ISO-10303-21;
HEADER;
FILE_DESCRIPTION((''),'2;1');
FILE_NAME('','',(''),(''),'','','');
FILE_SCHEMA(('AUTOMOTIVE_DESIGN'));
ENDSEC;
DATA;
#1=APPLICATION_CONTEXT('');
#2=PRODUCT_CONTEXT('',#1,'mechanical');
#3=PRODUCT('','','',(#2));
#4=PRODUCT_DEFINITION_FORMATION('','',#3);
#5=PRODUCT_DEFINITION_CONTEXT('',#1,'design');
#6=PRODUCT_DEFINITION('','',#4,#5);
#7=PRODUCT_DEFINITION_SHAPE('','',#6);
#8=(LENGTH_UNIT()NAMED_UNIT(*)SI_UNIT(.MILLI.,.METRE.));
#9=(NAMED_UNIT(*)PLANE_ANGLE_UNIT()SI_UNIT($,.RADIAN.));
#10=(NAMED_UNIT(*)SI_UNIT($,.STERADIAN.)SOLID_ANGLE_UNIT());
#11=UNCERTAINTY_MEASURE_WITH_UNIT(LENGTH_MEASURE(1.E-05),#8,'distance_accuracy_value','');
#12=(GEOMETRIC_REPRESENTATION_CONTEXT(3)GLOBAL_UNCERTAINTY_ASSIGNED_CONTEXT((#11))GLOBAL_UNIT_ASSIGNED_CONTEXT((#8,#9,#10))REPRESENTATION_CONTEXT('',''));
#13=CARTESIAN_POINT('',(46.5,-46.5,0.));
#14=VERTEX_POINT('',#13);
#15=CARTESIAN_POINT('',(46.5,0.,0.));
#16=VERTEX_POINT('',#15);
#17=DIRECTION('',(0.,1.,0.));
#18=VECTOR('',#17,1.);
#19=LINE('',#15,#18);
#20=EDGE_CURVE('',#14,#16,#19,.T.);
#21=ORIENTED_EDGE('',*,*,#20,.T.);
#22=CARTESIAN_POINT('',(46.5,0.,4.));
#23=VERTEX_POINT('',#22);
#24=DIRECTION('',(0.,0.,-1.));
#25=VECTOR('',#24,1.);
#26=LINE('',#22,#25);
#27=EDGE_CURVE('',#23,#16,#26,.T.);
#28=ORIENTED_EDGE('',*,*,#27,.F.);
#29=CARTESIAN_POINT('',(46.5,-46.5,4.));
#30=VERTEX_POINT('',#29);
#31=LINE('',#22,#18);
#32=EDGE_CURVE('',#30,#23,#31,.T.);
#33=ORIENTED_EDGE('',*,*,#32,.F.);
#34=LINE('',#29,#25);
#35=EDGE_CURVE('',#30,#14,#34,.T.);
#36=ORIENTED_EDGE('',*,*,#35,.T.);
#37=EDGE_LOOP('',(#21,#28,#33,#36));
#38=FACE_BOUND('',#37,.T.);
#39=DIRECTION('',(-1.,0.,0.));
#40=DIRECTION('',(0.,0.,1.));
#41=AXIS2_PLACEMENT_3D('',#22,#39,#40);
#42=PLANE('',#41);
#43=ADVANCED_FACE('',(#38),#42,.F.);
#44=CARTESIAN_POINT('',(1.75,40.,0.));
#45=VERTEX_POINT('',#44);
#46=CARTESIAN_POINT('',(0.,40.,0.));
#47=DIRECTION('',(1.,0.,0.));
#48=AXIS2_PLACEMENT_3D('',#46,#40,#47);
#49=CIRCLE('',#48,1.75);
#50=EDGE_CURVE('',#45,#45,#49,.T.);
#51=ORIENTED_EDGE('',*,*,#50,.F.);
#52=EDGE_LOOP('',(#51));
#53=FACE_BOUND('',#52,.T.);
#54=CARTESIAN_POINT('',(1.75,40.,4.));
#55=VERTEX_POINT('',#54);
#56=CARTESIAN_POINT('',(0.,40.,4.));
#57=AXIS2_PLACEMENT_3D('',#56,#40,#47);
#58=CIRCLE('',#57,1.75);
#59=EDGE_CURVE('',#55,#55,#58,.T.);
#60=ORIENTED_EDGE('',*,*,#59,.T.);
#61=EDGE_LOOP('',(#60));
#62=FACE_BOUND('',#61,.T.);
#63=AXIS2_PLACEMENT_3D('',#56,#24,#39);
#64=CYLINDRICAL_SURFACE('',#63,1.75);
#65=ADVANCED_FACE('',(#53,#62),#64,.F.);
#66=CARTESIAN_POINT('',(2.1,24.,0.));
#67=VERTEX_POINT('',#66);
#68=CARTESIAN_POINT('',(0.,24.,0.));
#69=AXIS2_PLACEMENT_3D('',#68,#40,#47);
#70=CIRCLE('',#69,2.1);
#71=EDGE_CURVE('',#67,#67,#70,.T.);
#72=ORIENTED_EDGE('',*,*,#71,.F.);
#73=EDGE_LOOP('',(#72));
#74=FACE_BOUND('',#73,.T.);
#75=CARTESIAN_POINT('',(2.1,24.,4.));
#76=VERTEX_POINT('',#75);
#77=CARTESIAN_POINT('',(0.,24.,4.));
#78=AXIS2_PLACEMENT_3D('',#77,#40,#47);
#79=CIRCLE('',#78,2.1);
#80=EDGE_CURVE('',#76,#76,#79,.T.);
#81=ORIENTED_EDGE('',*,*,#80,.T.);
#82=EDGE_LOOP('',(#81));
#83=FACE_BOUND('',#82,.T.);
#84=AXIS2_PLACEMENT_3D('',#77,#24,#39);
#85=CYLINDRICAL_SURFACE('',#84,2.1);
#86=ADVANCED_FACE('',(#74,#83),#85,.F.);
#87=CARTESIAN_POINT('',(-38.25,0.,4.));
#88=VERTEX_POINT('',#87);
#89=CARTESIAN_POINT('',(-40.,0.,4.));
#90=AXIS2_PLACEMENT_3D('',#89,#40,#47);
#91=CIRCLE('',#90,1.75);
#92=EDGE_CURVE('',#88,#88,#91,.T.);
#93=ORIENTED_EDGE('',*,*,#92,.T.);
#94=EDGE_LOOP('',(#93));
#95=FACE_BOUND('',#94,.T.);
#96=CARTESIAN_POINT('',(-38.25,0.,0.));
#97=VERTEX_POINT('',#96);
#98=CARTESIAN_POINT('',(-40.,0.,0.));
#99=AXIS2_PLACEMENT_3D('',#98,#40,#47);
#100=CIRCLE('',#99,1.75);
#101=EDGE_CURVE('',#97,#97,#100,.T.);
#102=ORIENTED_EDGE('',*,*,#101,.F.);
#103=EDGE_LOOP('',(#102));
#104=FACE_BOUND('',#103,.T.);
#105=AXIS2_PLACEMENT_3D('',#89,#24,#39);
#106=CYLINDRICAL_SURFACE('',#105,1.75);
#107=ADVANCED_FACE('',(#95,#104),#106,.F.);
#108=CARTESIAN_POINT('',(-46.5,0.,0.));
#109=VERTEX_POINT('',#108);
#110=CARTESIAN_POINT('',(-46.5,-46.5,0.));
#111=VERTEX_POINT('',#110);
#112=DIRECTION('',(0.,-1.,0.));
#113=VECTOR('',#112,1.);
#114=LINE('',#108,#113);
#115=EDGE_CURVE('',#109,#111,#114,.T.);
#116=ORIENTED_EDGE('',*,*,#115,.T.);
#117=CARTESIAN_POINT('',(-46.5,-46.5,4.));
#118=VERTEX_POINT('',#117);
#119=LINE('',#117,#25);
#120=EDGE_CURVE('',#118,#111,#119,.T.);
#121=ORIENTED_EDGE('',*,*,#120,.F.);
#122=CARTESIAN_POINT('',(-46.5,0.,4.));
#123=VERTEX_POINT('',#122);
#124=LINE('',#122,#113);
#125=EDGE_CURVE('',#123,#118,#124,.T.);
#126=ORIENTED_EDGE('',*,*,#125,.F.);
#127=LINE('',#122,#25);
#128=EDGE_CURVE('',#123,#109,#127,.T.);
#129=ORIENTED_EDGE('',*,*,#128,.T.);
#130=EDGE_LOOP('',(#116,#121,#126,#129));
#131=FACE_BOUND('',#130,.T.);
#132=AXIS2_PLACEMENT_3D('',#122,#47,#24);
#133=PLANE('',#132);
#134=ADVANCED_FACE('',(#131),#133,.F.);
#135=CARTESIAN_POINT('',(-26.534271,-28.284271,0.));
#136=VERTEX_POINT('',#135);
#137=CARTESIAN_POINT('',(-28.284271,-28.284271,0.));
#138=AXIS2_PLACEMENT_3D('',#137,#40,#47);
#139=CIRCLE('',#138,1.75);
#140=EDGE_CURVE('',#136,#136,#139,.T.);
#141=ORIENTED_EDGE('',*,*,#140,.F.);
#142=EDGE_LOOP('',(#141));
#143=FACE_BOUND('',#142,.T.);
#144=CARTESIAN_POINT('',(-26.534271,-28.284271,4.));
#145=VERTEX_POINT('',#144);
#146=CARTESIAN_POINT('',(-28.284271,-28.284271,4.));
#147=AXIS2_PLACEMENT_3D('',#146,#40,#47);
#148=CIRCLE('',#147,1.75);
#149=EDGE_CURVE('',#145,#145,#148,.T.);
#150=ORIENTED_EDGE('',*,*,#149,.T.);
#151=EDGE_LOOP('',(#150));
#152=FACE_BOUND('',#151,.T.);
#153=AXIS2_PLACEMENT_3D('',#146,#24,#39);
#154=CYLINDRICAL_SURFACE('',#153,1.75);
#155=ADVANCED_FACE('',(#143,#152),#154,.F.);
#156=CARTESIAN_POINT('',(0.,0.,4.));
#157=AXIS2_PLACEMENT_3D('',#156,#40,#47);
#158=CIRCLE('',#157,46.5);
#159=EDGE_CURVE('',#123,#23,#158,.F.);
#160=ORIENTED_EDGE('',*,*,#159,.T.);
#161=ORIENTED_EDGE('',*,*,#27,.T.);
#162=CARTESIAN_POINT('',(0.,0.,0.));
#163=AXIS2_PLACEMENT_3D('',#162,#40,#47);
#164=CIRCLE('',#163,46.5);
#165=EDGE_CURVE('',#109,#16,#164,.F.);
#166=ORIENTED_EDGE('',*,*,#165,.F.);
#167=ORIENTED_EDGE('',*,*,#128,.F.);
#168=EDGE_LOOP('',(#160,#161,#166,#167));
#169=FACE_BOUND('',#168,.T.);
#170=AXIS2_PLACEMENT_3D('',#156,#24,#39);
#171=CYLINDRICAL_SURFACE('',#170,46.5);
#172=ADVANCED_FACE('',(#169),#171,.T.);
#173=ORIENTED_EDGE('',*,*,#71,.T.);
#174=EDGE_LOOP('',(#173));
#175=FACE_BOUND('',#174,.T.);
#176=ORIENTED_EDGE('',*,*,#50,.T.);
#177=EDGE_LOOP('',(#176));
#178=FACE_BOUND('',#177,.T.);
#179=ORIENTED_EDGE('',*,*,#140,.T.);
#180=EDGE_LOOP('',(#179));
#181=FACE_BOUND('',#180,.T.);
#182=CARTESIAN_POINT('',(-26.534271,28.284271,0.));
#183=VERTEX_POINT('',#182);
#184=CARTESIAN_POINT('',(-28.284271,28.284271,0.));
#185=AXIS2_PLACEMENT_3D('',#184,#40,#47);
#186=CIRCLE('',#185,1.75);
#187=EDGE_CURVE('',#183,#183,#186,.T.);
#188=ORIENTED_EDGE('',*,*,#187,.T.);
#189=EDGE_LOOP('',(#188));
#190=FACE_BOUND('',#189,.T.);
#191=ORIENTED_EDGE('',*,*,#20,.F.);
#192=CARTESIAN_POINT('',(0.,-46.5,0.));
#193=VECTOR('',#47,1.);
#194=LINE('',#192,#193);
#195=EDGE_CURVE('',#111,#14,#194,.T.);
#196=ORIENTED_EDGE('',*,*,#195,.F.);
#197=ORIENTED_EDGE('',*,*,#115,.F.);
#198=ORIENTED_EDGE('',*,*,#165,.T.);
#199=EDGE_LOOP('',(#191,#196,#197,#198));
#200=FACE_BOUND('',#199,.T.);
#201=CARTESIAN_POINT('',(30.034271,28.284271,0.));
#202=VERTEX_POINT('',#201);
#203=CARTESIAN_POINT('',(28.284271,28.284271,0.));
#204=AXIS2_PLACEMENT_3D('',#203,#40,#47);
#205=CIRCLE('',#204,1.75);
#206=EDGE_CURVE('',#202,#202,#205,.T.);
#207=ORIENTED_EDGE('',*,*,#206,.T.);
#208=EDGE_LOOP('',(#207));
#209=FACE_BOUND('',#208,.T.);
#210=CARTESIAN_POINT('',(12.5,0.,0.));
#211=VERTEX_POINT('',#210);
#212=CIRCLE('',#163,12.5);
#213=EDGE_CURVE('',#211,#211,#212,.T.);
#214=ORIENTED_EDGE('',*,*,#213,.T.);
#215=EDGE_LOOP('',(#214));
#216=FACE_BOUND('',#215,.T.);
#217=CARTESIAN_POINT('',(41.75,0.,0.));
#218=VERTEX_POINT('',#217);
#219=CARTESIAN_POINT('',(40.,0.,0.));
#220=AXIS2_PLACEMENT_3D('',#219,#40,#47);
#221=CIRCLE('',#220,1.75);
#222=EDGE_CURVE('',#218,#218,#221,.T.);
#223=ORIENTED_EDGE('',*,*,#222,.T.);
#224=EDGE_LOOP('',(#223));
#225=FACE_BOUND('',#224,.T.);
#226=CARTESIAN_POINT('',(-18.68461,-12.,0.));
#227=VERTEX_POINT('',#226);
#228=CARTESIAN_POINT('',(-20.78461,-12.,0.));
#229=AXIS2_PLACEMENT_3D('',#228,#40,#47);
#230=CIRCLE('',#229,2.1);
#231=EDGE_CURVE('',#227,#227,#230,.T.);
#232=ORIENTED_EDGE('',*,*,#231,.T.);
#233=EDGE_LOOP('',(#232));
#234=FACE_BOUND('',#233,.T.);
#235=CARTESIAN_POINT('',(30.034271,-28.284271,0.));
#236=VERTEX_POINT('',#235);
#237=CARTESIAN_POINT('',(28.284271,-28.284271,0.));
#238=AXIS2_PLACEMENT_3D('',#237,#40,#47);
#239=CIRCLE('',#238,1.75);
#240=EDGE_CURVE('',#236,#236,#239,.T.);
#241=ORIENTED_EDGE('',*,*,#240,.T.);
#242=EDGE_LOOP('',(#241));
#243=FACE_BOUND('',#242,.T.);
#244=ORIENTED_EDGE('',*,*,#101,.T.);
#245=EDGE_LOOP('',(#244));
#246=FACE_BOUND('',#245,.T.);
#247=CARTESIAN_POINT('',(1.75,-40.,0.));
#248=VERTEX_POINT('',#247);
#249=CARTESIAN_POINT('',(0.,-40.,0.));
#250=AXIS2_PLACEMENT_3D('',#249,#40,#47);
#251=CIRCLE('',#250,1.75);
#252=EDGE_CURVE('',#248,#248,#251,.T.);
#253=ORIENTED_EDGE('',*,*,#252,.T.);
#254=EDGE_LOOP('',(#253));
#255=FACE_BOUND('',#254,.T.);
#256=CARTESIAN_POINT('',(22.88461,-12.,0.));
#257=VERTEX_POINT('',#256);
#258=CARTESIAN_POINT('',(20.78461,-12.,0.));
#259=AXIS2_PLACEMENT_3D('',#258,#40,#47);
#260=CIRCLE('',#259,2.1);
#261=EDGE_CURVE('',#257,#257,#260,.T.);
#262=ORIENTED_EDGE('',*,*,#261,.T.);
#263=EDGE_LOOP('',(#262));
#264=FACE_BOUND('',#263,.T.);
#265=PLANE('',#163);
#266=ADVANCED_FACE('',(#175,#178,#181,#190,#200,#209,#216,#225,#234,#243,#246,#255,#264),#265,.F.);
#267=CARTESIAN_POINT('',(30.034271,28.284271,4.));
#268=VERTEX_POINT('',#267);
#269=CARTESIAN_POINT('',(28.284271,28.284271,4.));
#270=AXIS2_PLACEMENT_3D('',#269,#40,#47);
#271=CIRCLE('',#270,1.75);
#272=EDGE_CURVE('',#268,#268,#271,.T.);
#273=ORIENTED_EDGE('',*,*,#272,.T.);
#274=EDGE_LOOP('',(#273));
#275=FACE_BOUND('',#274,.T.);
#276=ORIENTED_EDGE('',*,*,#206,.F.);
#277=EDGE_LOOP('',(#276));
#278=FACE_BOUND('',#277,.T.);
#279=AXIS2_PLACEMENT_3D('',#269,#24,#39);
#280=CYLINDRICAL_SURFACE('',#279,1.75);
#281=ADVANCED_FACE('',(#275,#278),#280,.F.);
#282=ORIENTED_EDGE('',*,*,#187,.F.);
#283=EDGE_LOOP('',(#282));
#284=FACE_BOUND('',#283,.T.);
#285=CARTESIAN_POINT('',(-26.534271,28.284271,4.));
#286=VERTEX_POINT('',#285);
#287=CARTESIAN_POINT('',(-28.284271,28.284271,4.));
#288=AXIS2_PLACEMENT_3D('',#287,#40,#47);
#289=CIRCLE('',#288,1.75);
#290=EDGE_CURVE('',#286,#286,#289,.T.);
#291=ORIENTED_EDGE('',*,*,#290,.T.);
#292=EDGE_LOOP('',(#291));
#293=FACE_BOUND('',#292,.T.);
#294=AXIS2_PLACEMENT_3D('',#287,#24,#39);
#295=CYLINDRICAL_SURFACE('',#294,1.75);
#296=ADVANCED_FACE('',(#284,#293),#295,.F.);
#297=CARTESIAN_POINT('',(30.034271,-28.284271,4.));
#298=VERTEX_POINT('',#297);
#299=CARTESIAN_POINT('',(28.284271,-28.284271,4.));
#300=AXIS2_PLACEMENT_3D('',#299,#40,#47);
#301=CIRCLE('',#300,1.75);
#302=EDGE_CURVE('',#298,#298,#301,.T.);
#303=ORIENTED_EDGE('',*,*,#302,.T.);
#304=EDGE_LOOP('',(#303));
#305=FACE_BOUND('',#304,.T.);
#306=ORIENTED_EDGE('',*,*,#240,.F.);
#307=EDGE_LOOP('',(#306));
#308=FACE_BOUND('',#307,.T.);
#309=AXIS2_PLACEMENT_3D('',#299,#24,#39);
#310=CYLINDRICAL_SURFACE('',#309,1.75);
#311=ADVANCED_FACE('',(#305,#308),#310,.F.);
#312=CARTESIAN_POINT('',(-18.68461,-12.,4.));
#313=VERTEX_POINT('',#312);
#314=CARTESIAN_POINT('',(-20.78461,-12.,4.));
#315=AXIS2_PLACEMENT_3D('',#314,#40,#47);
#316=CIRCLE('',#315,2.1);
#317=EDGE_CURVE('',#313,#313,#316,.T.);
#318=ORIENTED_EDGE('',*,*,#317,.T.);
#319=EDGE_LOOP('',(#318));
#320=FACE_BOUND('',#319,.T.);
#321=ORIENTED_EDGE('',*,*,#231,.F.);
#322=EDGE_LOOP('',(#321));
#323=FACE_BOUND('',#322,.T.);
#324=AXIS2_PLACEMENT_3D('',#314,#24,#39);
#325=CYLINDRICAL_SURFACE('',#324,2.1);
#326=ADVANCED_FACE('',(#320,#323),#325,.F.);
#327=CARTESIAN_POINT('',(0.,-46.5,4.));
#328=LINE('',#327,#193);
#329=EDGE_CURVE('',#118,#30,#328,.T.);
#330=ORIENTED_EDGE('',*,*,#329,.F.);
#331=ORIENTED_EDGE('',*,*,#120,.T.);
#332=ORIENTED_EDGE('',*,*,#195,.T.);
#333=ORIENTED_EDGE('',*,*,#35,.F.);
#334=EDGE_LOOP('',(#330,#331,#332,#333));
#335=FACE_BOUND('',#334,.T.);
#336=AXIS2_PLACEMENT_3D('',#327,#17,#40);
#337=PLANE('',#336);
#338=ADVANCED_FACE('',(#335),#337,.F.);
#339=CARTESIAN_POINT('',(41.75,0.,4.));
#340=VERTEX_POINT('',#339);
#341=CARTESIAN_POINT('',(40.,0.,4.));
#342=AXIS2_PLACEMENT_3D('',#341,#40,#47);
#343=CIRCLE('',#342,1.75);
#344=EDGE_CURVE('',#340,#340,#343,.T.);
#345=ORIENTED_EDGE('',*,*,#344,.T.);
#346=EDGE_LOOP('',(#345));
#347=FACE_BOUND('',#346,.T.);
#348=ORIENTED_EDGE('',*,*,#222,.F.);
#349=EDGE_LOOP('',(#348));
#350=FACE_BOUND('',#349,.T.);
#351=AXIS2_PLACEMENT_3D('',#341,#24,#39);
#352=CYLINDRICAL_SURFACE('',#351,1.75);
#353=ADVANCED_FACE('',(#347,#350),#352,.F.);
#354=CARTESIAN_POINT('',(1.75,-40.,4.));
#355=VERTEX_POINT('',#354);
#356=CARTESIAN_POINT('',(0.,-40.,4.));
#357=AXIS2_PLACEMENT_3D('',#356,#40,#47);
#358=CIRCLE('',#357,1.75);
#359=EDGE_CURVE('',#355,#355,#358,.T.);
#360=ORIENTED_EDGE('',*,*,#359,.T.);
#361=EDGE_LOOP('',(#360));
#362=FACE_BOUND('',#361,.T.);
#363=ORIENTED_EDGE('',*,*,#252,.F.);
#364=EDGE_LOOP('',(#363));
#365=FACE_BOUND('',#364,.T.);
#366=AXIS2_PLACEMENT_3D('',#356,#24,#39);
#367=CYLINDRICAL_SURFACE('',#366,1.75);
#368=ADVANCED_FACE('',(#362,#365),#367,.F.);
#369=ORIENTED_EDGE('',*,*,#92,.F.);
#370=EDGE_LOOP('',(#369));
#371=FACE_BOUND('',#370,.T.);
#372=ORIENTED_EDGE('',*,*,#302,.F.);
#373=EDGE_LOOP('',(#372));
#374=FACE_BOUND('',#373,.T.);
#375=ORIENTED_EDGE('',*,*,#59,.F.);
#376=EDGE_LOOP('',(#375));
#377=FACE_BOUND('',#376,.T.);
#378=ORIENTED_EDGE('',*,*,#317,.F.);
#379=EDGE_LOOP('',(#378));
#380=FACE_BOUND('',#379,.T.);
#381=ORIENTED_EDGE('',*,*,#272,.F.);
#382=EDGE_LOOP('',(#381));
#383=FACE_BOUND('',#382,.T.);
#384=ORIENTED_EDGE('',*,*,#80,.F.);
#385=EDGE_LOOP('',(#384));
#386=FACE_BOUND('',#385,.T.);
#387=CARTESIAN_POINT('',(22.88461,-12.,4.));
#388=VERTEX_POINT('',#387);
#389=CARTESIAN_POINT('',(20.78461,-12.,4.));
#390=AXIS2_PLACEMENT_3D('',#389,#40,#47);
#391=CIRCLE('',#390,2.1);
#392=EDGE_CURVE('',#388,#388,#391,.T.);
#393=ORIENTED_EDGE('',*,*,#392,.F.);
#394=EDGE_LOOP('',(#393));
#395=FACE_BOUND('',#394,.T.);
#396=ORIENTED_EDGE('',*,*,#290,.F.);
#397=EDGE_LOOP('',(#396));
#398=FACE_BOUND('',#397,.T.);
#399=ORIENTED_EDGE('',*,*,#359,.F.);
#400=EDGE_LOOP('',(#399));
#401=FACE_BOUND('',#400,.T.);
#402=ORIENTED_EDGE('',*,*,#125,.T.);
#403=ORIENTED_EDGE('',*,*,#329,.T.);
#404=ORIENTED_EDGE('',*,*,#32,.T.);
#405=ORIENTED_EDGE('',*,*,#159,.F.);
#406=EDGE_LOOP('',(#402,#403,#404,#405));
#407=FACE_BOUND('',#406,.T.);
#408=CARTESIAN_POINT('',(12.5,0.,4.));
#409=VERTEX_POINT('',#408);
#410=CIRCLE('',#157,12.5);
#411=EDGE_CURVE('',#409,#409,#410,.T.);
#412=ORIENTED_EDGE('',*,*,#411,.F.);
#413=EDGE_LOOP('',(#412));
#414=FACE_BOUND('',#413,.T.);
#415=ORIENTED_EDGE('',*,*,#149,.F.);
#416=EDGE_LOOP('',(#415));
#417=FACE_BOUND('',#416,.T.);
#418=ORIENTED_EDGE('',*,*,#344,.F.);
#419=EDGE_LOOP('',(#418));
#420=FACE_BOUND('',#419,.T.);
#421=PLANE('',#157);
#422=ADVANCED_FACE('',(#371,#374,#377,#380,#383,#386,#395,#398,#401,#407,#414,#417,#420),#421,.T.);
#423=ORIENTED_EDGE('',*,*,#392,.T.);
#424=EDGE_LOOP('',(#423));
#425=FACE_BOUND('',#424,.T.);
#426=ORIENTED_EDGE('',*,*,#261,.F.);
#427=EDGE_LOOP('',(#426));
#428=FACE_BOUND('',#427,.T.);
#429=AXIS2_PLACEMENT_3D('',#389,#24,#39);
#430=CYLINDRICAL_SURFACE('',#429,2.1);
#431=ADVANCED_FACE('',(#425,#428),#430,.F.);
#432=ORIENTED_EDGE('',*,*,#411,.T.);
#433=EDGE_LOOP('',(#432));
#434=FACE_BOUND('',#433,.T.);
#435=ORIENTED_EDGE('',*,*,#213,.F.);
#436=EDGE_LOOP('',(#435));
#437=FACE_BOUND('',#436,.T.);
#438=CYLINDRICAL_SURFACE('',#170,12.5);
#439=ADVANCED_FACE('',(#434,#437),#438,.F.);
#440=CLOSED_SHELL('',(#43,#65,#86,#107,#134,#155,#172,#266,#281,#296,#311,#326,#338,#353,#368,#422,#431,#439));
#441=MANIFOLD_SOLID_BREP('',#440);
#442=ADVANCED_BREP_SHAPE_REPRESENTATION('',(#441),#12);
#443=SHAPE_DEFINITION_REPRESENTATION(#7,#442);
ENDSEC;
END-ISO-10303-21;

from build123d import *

# Parameters (mm, degrees)
SKETCH1_R           = 2.1
SKETCH1_R_2         = 12.5
SKETCH1_R_3         = 1.75
BOSS_EXTRUDE1_DEPTH = 4


with BuildPart() as part:
    # Sketch1 → Boss-Extrude1 (new body)
    with BuildSketch(Plane.XY):
        with BuildLine():
            Line((-46.5, 0), (-46.5, -46.5))
            Line((-46.5, -46.5), (46.5, -46.5))
            Line((46.5, -46.5), (46.5, 0))
            ThreePointArc((46.5, 0), (0, 46.5), (-46.5, 0))
        make_face()
        with Locations((0, 24)):
            Circle(SKETCH1_R, mode=Mode.SUBTRACT)
        with Locations((-20.784609691, -12)):
            Circle(SKETCH1_R, mode=Mode.SUBTRACT)
        with Locations((20.784609691, -12)):
            Circle(SKETCH1_R, mode=Mode.SUBTRACT)
        Circle(SKETCH1_R_2, mode=Mode.SUBTRACT)
        with Locations((0, 40)):
            Circle(SKETCH1_R_3, mode=Mode.SUBTRACT)
        with Locations((28.284271247, 28.284271247)):
            Circle(SKETCH1_R_3, mode=Mode.SUBTRACT)
        with Locations((40, 0)):
            Circle(SKETCH1_R_3, mode=Mode.SUBTRACT)
        with Locations((28.284271247, -28.284271247)):
            Circle(SKETCH1_R_3, mode=Mode.SUBTRACT)
        with Locations((0, -40)):
            Circle(SKETCH1_R_3, mode=Mode.SUBTRACT)
        with Locations((-28.284271247, -28.284271247)):
            Circle(SKETCH1_R_3, mode=Mode.SUBTRACT)
        with Locations((-40, 0)):
            Circle(SKETCH1_R_3, mode=Mode.SUBTRACT)
        with Locations((-28.284271247, 28.284271247)):
            Circle(SKETCH1_R_3, mode=Mode.SUBTRACT)
    extrude(amount=BOSS_EXTRUDE1_DEPTH)


solid = part.part
